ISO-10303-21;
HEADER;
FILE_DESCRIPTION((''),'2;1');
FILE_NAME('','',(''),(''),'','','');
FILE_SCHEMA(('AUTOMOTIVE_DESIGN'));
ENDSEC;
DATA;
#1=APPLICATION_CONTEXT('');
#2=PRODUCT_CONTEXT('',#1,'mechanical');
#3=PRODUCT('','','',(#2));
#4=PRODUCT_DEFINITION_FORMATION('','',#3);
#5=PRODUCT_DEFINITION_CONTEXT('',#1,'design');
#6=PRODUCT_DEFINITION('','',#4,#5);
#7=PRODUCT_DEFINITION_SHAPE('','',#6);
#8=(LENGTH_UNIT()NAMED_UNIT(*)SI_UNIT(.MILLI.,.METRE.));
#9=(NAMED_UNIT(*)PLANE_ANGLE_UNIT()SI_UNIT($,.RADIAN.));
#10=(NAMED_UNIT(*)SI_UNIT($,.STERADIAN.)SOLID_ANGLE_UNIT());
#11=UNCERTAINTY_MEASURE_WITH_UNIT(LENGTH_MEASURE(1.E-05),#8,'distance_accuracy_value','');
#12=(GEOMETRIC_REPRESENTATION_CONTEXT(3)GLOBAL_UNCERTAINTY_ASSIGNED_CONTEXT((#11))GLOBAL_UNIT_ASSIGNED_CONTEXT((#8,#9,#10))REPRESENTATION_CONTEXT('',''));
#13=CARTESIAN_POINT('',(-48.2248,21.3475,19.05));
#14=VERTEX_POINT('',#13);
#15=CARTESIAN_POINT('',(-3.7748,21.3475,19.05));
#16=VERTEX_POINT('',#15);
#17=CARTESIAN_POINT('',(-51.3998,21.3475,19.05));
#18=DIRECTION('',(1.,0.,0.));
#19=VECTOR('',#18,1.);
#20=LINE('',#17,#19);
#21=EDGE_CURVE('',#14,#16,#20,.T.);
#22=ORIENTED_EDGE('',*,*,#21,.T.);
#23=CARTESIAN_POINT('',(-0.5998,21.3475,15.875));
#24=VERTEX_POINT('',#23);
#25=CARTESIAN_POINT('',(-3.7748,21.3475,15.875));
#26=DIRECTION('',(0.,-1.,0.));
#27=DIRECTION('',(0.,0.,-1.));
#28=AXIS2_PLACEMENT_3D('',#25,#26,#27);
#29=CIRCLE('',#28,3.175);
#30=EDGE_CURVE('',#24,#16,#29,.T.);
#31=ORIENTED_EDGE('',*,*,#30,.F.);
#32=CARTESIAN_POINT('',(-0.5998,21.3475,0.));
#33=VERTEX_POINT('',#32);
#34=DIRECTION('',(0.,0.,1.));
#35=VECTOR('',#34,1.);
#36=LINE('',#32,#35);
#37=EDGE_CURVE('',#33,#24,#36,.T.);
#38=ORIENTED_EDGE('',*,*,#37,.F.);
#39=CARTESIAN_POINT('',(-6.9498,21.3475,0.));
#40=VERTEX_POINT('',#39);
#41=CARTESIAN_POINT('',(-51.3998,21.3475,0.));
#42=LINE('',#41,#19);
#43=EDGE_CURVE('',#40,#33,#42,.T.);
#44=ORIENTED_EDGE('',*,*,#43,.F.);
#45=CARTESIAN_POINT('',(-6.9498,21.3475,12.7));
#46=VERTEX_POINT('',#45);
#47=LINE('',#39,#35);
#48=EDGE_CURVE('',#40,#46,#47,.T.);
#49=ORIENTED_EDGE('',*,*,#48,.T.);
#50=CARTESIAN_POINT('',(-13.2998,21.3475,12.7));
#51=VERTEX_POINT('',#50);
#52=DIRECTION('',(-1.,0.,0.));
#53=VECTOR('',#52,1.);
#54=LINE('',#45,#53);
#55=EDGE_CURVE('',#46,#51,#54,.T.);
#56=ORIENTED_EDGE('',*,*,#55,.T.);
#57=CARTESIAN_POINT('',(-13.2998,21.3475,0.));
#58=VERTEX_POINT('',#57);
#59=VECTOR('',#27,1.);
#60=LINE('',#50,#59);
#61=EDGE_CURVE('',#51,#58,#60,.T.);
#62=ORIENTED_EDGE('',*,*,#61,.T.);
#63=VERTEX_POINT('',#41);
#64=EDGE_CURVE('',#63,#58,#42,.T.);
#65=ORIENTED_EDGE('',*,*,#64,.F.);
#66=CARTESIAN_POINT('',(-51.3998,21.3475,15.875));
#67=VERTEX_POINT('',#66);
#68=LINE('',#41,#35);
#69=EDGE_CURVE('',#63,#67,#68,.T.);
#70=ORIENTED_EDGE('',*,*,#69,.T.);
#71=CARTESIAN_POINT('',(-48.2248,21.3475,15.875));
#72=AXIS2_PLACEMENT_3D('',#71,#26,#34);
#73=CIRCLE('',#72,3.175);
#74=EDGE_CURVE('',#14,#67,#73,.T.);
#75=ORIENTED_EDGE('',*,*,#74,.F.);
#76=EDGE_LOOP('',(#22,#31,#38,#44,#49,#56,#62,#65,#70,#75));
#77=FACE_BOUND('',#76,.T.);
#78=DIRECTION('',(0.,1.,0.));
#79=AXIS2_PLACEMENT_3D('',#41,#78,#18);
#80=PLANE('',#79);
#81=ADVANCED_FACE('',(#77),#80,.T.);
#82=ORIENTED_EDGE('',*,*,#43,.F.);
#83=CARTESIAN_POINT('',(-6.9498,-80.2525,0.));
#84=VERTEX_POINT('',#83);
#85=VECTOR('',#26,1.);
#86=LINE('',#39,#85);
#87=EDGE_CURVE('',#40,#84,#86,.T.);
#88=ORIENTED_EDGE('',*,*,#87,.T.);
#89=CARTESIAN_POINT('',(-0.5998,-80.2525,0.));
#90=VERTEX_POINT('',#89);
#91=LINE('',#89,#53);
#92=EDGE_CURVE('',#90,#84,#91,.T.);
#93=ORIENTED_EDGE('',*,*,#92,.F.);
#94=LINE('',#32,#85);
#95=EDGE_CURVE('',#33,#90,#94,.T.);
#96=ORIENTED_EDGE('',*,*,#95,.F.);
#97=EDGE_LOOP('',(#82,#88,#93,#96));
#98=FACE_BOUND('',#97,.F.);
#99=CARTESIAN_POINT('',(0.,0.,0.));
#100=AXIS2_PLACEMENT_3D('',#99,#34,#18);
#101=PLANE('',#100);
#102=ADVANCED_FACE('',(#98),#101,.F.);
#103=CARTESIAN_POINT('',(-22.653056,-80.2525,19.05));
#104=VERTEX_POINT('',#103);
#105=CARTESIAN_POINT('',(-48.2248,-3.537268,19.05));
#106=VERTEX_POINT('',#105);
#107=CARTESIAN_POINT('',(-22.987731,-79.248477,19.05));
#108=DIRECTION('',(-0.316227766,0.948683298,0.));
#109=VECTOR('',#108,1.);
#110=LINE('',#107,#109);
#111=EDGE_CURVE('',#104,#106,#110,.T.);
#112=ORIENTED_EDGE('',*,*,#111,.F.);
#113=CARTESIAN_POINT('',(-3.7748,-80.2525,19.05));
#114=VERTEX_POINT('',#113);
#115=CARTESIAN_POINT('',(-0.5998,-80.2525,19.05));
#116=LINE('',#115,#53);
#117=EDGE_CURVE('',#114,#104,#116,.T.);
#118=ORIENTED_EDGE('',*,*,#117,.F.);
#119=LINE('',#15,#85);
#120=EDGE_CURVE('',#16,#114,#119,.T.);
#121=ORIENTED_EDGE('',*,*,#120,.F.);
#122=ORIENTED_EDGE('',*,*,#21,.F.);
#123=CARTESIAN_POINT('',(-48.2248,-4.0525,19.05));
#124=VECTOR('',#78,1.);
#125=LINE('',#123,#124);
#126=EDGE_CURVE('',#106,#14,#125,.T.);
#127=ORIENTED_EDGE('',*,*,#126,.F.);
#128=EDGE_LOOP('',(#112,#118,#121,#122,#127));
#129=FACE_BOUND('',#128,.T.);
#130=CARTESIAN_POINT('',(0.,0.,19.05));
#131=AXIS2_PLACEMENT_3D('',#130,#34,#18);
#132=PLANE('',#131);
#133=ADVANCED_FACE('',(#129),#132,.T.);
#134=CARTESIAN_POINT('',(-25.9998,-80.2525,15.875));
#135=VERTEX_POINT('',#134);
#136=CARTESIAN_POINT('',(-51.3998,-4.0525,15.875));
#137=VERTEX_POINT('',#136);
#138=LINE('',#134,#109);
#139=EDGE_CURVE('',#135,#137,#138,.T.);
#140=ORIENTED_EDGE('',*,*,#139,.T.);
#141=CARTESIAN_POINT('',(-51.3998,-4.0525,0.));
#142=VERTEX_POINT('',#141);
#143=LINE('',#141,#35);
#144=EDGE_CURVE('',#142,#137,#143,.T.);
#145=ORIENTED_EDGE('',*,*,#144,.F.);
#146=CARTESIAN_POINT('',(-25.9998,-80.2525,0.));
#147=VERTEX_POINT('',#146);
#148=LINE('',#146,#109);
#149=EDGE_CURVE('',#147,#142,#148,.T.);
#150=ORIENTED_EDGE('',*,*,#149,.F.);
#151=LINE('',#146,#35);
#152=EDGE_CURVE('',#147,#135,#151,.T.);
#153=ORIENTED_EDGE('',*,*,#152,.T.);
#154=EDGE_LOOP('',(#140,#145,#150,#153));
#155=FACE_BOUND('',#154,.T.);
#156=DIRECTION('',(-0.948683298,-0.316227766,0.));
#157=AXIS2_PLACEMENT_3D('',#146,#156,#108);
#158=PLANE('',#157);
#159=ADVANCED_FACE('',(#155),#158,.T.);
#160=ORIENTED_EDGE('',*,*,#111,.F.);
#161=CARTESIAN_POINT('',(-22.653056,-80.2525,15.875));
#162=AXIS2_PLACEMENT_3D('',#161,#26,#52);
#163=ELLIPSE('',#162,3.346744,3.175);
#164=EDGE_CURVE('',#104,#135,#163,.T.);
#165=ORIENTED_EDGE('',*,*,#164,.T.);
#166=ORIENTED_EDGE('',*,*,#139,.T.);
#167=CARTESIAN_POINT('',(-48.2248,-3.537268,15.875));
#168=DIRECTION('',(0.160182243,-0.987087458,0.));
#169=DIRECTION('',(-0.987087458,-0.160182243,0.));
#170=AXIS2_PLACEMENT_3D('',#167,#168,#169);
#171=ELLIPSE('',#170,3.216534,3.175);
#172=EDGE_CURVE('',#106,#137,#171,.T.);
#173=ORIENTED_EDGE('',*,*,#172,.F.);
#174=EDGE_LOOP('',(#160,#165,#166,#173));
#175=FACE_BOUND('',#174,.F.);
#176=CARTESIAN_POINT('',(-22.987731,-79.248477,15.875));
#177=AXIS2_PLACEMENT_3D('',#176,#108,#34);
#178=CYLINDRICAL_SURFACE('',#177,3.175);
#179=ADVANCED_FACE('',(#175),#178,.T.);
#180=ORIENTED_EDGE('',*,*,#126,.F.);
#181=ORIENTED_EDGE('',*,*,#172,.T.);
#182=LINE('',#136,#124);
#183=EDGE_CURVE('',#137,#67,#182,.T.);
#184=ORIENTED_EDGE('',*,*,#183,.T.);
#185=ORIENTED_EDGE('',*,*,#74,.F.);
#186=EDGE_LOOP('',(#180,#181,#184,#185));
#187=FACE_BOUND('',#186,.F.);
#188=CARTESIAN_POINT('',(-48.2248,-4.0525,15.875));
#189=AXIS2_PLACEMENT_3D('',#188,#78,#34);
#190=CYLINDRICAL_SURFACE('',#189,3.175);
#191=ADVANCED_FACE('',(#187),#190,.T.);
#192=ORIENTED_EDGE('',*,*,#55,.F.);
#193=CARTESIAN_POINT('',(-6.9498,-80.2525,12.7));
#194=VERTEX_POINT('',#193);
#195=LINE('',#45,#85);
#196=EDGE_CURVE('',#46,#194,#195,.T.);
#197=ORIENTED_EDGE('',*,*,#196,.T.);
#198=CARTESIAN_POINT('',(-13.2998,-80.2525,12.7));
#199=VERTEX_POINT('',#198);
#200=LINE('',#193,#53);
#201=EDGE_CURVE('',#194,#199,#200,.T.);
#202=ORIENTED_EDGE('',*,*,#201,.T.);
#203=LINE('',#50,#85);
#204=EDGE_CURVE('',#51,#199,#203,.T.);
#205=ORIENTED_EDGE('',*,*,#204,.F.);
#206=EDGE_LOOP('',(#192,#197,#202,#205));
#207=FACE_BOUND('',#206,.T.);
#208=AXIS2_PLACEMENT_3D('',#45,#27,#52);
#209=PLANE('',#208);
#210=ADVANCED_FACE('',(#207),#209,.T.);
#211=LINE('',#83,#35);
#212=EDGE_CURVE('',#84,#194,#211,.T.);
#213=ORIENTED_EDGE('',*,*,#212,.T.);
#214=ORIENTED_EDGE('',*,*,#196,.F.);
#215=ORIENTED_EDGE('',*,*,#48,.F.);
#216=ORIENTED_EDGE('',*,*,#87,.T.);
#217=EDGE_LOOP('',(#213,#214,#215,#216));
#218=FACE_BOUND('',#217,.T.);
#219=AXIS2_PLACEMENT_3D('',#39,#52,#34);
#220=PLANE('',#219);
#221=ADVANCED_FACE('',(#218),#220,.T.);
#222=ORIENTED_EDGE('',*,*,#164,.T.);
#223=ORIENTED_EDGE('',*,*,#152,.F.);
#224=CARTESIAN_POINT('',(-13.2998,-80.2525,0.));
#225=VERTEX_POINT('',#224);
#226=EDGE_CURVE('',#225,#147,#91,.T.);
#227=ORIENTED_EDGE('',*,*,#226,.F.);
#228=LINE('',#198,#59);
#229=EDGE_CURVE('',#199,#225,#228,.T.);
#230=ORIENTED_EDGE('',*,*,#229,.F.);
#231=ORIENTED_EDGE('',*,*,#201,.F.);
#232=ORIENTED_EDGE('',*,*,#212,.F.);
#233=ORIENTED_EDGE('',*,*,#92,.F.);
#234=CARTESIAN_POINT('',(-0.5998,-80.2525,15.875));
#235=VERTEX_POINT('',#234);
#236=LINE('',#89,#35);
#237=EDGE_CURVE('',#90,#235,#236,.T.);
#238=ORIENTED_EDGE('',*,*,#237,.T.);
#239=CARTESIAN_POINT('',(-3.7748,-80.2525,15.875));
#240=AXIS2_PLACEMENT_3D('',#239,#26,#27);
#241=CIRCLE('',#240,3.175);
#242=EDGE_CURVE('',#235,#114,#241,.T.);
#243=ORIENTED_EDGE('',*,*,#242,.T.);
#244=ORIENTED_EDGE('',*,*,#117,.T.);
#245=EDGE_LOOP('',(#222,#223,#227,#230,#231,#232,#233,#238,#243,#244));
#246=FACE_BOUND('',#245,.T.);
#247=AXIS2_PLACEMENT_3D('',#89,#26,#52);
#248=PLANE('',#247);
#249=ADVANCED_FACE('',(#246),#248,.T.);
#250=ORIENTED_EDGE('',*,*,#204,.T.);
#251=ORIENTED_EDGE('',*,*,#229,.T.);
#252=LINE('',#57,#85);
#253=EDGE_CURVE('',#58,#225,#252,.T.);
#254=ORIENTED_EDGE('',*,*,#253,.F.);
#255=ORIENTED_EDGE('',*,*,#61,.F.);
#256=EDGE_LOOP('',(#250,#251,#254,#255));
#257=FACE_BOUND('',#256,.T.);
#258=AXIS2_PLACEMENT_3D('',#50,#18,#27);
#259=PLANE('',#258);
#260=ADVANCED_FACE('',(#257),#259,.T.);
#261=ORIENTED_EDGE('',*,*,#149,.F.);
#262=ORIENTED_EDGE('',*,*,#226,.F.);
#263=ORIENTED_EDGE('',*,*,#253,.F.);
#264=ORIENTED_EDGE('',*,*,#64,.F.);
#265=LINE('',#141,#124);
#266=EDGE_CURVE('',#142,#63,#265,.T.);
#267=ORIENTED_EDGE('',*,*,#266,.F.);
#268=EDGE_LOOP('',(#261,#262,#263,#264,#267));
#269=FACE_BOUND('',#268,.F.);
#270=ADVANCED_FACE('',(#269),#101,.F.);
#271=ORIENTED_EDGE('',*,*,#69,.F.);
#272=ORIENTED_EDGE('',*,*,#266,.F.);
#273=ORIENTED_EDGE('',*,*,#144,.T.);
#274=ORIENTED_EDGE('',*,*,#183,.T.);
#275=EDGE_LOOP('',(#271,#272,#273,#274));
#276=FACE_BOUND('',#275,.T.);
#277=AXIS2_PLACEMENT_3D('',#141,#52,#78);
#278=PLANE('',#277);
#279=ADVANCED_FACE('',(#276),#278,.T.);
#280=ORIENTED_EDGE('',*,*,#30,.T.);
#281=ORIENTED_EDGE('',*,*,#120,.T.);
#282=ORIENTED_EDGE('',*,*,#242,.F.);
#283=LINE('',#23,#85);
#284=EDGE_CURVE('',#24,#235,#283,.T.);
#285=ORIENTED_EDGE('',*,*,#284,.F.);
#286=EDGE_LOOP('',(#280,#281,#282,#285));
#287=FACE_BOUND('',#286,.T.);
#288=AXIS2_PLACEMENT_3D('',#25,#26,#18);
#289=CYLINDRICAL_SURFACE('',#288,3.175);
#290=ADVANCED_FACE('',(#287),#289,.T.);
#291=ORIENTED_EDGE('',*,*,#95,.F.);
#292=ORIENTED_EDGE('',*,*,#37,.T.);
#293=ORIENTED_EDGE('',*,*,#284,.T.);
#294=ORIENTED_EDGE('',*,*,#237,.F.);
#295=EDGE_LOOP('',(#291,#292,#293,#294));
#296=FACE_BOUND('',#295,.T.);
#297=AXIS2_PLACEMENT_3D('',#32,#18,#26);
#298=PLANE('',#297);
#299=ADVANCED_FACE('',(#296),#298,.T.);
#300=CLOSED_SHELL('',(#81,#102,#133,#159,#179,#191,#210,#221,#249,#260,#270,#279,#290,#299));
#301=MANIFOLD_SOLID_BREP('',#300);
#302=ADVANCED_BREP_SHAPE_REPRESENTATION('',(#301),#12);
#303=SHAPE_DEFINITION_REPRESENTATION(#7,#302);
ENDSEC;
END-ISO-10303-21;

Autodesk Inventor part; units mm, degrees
ref_plane "YZ Plane" through (0, 0, 0) normal (1, 0, 0) x (0, 1, 0)
ref_plane "XZ Plane" through (0, 0, 0) normal (0, 1, 0) x (-1, 0, 0)
ref_plane "XY Plane" through (0, 0, 0) normal (0, 0, 1) x (1, 0, 0)
sketch "Sketch1" plane through (0, 0, 0) normal (0, 0, 1) x (1, 0, 0)
  line L0 (-51.3998, 21.3475) -> (-0.5998, 21.3475)
  line L1 (-0.5998, 21.3475) -> (-0.5998, -80.2525)
  line L2 (-0.5998, -80.2525) -> (-25.9998, -80.2525)
  line L3 (-25.9998, -80.2525) -> (-51.3998, -4.0525)
  line L4 (-51.3998, -4.0525) -> (-51.3998, 21.3475)
  dimension "d1" = 50.8
  dimension "d3" = 25.4
  dimension "d4" = 76.2
  dimension "d5" = 25.4
extrude "Extrusion1" add sketch "Sketch1" along normal blind 19.05
sketch "Sketch2" plane through (-51.3998, 21.3475, 0) normal (0, 1, 0) x (1, 0, 0)
  line L0 (0, 0) -> (50.8, 0) projected
  line L1 (38.1, 0) -> (44.45, 0)
  line L2 (44.45, 0) -> (44.45, -12.7)
  line L3 (44.45, -12.7) -> (38.1, -12.7)
  line L4 (38.1, -12.7) -> (38.1, 0)
  line L5 (50.8, 0) -> (50.8, -19.05) projected
  point P0 (51.3998, 0)
  dimension "d8" = 6.35
  dimension "d10" = 6.35
  dimension "d11" = 12.7
extrude "Extrusion2" cut sketch "Sketch2" against normal blind 101.6
fillet "Fillet1" radius 3.175 3 edges at (-0.5998, -29.4525, 19.05) (-38.6998, -42.1525, 19.05) (-51.3998, 8.6475, 19.05)
equation "\"d12\" = d5 + d4"
properties part number "Right Leg, Front part"
